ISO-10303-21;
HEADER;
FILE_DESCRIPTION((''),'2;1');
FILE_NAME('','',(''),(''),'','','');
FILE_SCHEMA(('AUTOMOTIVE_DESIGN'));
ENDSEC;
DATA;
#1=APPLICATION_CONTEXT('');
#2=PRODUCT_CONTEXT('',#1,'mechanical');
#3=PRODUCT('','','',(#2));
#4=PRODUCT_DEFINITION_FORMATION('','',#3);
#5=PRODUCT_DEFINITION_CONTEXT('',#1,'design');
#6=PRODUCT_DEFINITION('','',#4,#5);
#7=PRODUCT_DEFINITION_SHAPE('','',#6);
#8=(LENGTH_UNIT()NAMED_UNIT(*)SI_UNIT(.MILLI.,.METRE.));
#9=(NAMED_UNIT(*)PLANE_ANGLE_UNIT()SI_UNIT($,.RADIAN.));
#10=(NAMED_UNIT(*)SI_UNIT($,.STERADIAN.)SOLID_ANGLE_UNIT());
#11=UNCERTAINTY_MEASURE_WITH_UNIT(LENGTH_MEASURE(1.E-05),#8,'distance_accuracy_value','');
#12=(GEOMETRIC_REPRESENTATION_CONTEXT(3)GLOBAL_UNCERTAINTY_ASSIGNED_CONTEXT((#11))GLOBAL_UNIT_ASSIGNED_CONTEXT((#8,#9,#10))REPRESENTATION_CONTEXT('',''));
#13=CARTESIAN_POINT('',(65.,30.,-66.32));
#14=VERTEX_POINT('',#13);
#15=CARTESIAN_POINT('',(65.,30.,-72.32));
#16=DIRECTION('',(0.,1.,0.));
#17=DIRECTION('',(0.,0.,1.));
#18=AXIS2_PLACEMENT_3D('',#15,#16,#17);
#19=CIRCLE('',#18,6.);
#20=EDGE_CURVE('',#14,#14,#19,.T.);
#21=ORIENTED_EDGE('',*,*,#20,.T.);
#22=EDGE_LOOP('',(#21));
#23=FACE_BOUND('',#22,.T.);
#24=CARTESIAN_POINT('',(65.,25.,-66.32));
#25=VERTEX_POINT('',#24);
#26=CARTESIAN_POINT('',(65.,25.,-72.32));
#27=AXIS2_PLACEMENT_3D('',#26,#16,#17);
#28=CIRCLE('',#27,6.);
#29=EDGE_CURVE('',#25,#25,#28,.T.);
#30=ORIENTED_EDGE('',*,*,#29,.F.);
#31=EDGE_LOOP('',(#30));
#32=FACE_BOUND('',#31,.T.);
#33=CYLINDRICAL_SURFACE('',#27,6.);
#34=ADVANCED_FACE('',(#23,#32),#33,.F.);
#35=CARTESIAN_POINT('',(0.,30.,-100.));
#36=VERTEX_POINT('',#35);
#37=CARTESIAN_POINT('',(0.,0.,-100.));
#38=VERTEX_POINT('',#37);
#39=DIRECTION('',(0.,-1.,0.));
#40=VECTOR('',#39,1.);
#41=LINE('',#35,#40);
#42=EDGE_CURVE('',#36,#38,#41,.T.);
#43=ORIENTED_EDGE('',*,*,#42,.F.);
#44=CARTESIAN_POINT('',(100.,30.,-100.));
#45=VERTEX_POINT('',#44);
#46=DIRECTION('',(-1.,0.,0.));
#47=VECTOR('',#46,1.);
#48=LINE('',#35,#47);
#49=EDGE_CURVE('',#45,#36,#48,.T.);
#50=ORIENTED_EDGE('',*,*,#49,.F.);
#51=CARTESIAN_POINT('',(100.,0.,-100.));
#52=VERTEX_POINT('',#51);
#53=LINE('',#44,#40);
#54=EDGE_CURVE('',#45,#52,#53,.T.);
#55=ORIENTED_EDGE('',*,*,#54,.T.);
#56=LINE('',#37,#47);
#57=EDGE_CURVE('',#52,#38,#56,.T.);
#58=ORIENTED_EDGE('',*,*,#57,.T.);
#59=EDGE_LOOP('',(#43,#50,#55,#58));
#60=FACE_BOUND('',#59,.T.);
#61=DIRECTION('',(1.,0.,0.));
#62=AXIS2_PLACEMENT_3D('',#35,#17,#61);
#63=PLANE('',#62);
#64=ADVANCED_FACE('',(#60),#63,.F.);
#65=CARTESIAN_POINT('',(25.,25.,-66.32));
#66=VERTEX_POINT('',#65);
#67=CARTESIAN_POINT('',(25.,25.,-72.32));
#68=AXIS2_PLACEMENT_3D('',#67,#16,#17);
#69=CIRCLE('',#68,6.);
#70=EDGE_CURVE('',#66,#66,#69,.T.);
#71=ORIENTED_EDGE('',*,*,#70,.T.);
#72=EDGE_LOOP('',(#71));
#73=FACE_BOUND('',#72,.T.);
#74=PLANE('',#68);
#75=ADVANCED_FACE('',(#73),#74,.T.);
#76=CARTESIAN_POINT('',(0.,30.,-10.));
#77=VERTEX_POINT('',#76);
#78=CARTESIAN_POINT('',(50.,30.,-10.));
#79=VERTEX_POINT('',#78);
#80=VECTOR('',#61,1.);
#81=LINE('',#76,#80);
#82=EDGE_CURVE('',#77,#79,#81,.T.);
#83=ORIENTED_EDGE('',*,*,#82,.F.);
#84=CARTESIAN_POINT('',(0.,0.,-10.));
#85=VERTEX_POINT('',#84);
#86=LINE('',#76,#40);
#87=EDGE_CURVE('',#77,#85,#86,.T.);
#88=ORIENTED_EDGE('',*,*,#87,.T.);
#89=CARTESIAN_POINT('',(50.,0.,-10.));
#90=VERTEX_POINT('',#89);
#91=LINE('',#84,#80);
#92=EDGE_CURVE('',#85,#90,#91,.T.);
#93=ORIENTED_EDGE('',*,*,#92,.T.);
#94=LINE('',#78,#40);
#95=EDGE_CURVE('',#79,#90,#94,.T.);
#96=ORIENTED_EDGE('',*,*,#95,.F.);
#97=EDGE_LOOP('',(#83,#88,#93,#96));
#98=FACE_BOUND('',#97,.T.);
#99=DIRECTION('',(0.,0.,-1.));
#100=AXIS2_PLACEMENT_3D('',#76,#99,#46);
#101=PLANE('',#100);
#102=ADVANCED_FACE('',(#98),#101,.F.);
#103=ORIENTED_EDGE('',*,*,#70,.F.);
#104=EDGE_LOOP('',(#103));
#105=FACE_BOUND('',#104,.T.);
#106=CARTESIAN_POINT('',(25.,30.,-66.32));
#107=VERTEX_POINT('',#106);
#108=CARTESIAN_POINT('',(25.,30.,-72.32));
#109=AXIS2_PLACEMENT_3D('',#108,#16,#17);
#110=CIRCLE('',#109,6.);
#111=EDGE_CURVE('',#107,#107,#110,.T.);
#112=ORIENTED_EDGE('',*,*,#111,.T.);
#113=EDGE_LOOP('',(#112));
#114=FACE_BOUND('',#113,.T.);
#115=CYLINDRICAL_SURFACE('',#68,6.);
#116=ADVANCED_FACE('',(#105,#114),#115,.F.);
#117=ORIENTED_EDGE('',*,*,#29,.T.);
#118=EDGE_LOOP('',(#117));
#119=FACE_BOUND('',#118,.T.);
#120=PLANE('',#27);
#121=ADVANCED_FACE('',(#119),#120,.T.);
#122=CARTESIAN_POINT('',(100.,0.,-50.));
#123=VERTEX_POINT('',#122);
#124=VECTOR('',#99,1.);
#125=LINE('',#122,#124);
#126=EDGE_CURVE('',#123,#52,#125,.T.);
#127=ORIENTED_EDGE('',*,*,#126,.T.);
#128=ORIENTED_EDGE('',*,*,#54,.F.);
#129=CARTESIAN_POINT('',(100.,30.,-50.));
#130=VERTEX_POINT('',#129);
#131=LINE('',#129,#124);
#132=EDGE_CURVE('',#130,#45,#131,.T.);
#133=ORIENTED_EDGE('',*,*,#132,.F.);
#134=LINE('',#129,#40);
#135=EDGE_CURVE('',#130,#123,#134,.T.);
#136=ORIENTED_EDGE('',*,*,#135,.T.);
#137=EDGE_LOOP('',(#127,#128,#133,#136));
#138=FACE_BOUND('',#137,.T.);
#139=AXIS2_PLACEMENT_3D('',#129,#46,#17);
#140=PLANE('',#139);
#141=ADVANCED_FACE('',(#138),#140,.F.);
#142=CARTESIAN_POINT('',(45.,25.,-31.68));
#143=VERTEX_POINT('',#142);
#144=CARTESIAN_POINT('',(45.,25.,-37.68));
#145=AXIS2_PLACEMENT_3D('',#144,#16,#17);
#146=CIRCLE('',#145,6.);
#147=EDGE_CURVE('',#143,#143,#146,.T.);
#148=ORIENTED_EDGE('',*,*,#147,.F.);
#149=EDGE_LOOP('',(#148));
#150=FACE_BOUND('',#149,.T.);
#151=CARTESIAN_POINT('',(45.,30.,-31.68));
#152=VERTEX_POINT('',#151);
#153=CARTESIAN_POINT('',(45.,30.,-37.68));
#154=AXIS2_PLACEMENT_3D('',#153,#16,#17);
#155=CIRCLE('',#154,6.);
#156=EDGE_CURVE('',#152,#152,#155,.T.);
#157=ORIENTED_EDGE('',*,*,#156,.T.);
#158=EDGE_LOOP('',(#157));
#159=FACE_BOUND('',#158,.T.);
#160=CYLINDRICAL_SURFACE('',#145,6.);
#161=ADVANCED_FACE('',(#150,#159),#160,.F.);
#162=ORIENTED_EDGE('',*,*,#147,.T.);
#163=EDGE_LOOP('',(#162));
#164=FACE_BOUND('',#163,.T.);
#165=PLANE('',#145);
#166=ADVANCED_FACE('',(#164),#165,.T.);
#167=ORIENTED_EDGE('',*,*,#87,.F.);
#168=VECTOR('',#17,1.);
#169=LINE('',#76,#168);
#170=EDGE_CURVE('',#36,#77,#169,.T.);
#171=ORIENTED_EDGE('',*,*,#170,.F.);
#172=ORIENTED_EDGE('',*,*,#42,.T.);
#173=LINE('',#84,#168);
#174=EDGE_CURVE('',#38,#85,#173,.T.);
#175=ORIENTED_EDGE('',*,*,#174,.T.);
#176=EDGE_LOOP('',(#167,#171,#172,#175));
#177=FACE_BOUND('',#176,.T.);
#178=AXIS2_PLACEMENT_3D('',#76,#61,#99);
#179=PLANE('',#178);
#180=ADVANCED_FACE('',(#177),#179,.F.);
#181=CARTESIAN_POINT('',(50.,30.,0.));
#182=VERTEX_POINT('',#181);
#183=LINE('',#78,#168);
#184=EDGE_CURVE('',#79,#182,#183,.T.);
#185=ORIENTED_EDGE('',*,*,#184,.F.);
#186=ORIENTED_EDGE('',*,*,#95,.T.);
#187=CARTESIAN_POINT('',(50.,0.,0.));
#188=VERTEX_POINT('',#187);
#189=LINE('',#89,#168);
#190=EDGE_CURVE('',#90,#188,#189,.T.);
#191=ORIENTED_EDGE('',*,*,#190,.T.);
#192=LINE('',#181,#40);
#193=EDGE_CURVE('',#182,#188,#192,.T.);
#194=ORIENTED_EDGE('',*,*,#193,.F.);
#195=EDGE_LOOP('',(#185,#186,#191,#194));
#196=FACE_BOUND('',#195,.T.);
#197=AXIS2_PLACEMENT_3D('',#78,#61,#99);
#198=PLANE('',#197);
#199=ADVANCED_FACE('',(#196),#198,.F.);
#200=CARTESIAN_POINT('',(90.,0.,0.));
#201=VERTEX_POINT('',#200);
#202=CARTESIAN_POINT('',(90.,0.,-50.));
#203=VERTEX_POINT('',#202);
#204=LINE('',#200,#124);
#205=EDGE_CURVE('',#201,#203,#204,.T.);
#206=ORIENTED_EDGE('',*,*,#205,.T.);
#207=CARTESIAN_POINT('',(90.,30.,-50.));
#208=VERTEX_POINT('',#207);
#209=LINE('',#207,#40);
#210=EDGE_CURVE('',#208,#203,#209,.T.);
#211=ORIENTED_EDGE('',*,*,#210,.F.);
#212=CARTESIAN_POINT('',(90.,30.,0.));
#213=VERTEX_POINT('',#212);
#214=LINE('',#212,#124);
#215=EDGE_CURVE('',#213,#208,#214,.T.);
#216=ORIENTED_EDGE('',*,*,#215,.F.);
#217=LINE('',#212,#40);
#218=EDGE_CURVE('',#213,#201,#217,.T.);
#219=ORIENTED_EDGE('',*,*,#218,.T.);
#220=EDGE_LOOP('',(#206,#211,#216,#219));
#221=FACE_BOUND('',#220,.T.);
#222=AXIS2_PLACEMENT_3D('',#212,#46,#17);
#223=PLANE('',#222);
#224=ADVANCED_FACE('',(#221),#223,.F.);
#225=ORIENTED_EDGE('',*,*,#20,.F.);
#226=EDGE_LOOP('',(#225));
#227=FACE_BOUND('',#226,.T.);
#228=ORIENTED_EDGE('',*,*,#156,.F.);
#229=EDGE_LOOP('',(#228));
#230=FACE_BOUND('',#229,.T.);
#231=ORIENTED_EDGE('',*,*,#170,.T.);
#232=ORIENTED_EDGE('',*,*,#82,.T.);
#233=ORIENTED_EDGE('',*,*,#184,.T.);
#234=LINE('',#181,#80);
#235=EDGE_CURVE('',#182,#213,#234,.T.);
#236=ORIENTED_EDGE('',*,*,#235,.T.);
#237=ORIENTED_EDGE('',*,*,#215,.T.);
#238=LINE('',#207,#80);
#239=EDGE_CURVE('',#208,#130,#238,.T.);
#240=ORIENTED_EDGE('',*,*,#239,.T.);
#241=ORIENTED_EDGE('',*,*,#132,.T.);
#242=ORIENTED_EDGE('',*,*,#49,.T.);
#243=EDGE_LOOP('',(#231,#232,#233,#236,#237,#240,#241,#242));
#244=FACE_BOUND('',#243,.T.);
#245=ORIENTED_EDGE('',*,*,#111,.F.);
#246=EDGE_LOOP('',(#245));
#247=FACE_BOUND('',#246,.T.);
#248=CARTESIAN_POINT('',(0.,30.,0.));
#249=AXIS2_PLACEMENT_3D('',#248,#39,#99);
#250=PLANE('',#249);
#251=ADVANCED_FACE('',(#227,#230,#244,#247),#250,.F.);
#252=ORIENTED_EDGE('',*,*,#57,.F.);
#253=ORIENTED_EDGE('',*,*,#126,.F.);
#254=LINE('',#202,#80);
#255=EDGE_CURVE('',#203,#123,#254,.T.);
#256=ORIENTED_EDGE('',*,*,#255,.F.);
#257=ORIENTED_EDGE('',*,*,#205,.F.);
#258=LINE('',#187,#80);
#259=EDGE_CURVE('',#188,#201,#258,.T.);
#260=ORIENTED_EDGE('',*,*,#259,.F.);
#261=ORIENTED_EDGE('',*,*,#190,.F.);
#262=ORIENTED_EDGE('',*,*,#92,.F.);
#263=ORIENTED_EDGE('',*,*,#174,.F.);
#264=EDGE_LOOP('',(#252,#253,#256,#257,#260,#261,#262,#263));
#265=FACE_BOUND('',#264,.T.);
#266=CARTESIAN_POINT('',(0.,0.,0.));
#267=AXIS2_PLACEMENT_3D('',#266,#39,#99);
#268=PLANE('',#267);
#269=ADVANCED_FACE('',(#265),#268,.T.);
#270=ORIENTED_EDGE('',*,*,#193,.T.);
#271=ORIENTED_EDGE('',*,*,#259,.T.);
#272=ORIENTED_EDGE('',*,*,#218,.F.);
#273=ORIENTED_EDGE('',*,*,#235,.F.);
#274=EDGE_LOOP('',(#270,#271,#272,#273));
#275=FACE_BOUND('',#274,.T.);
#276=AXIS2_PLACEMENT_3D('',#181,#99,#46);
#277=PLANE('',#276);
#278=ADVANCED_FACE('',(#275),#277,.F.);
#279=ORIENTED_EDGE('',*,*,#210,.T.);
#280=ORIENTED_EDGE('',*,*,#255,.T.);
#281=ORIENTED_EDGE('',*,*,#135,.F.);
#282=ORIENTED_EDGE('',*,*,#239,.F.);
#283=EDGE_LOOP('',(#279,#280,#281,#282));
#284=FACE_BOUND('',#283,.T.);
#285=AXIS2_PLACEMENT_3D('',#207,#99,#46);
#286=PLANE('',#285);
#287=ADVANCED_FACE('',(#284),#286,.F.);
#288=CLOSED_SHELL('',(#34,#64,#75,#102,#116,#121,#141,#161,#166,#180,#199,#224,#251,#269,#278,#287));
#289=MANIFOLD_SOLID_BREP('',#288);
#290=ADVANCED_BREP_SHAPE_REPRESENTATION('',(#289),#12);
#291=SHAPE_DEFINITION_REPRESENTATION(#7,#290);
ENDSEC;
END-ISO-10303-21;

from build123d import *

# Parameters (mm, degrees)
BOSS_EXTRUDE2_DEPTH = 30
SKETCH3_R           = 6
CUT_EXTRUDE1_DEPTH  = 5


with BuildPart() as part:
    # Sketch1 → Boss-Extrude2 (new body)
    with BuildSketch(Plane(origin=(0, 0, 0), x_dir=(1, 0, 0), z_dir=(0, 1, 0))):
        Polygon((0, 10), (50, 10), (50, 0), (90, 0), (90, 50), (100, 50), (100, 100), (0, 100), align=None)
    extrude(amount=BOSS_EXTRUDE2_DEPTH)

    # Sketch3 → Cut-Extrude1 (cut)
    with BuildSketch(Plane(origin=(0, 30, 0), x_dir=(1, 0, 0), z_dir=(0, 1, 0))):
        with Locations(Location((25, 72.32, 0), (0, 0, 270))):
            Circle(SKETCH3_R)
        with Locations(Location((65, 72.32, 0), (0, 0, 270))):
            Circle(SKETCH3_R)
        with Locations(Location((45, 37.68, 0), (0, 0, 270))):
            Circle(SKETCH3_R)
    extrude(amount=-CUT_EXTRUDE1_DEPTH, mode=Mode.SUBTRACT)


solid = part.part
